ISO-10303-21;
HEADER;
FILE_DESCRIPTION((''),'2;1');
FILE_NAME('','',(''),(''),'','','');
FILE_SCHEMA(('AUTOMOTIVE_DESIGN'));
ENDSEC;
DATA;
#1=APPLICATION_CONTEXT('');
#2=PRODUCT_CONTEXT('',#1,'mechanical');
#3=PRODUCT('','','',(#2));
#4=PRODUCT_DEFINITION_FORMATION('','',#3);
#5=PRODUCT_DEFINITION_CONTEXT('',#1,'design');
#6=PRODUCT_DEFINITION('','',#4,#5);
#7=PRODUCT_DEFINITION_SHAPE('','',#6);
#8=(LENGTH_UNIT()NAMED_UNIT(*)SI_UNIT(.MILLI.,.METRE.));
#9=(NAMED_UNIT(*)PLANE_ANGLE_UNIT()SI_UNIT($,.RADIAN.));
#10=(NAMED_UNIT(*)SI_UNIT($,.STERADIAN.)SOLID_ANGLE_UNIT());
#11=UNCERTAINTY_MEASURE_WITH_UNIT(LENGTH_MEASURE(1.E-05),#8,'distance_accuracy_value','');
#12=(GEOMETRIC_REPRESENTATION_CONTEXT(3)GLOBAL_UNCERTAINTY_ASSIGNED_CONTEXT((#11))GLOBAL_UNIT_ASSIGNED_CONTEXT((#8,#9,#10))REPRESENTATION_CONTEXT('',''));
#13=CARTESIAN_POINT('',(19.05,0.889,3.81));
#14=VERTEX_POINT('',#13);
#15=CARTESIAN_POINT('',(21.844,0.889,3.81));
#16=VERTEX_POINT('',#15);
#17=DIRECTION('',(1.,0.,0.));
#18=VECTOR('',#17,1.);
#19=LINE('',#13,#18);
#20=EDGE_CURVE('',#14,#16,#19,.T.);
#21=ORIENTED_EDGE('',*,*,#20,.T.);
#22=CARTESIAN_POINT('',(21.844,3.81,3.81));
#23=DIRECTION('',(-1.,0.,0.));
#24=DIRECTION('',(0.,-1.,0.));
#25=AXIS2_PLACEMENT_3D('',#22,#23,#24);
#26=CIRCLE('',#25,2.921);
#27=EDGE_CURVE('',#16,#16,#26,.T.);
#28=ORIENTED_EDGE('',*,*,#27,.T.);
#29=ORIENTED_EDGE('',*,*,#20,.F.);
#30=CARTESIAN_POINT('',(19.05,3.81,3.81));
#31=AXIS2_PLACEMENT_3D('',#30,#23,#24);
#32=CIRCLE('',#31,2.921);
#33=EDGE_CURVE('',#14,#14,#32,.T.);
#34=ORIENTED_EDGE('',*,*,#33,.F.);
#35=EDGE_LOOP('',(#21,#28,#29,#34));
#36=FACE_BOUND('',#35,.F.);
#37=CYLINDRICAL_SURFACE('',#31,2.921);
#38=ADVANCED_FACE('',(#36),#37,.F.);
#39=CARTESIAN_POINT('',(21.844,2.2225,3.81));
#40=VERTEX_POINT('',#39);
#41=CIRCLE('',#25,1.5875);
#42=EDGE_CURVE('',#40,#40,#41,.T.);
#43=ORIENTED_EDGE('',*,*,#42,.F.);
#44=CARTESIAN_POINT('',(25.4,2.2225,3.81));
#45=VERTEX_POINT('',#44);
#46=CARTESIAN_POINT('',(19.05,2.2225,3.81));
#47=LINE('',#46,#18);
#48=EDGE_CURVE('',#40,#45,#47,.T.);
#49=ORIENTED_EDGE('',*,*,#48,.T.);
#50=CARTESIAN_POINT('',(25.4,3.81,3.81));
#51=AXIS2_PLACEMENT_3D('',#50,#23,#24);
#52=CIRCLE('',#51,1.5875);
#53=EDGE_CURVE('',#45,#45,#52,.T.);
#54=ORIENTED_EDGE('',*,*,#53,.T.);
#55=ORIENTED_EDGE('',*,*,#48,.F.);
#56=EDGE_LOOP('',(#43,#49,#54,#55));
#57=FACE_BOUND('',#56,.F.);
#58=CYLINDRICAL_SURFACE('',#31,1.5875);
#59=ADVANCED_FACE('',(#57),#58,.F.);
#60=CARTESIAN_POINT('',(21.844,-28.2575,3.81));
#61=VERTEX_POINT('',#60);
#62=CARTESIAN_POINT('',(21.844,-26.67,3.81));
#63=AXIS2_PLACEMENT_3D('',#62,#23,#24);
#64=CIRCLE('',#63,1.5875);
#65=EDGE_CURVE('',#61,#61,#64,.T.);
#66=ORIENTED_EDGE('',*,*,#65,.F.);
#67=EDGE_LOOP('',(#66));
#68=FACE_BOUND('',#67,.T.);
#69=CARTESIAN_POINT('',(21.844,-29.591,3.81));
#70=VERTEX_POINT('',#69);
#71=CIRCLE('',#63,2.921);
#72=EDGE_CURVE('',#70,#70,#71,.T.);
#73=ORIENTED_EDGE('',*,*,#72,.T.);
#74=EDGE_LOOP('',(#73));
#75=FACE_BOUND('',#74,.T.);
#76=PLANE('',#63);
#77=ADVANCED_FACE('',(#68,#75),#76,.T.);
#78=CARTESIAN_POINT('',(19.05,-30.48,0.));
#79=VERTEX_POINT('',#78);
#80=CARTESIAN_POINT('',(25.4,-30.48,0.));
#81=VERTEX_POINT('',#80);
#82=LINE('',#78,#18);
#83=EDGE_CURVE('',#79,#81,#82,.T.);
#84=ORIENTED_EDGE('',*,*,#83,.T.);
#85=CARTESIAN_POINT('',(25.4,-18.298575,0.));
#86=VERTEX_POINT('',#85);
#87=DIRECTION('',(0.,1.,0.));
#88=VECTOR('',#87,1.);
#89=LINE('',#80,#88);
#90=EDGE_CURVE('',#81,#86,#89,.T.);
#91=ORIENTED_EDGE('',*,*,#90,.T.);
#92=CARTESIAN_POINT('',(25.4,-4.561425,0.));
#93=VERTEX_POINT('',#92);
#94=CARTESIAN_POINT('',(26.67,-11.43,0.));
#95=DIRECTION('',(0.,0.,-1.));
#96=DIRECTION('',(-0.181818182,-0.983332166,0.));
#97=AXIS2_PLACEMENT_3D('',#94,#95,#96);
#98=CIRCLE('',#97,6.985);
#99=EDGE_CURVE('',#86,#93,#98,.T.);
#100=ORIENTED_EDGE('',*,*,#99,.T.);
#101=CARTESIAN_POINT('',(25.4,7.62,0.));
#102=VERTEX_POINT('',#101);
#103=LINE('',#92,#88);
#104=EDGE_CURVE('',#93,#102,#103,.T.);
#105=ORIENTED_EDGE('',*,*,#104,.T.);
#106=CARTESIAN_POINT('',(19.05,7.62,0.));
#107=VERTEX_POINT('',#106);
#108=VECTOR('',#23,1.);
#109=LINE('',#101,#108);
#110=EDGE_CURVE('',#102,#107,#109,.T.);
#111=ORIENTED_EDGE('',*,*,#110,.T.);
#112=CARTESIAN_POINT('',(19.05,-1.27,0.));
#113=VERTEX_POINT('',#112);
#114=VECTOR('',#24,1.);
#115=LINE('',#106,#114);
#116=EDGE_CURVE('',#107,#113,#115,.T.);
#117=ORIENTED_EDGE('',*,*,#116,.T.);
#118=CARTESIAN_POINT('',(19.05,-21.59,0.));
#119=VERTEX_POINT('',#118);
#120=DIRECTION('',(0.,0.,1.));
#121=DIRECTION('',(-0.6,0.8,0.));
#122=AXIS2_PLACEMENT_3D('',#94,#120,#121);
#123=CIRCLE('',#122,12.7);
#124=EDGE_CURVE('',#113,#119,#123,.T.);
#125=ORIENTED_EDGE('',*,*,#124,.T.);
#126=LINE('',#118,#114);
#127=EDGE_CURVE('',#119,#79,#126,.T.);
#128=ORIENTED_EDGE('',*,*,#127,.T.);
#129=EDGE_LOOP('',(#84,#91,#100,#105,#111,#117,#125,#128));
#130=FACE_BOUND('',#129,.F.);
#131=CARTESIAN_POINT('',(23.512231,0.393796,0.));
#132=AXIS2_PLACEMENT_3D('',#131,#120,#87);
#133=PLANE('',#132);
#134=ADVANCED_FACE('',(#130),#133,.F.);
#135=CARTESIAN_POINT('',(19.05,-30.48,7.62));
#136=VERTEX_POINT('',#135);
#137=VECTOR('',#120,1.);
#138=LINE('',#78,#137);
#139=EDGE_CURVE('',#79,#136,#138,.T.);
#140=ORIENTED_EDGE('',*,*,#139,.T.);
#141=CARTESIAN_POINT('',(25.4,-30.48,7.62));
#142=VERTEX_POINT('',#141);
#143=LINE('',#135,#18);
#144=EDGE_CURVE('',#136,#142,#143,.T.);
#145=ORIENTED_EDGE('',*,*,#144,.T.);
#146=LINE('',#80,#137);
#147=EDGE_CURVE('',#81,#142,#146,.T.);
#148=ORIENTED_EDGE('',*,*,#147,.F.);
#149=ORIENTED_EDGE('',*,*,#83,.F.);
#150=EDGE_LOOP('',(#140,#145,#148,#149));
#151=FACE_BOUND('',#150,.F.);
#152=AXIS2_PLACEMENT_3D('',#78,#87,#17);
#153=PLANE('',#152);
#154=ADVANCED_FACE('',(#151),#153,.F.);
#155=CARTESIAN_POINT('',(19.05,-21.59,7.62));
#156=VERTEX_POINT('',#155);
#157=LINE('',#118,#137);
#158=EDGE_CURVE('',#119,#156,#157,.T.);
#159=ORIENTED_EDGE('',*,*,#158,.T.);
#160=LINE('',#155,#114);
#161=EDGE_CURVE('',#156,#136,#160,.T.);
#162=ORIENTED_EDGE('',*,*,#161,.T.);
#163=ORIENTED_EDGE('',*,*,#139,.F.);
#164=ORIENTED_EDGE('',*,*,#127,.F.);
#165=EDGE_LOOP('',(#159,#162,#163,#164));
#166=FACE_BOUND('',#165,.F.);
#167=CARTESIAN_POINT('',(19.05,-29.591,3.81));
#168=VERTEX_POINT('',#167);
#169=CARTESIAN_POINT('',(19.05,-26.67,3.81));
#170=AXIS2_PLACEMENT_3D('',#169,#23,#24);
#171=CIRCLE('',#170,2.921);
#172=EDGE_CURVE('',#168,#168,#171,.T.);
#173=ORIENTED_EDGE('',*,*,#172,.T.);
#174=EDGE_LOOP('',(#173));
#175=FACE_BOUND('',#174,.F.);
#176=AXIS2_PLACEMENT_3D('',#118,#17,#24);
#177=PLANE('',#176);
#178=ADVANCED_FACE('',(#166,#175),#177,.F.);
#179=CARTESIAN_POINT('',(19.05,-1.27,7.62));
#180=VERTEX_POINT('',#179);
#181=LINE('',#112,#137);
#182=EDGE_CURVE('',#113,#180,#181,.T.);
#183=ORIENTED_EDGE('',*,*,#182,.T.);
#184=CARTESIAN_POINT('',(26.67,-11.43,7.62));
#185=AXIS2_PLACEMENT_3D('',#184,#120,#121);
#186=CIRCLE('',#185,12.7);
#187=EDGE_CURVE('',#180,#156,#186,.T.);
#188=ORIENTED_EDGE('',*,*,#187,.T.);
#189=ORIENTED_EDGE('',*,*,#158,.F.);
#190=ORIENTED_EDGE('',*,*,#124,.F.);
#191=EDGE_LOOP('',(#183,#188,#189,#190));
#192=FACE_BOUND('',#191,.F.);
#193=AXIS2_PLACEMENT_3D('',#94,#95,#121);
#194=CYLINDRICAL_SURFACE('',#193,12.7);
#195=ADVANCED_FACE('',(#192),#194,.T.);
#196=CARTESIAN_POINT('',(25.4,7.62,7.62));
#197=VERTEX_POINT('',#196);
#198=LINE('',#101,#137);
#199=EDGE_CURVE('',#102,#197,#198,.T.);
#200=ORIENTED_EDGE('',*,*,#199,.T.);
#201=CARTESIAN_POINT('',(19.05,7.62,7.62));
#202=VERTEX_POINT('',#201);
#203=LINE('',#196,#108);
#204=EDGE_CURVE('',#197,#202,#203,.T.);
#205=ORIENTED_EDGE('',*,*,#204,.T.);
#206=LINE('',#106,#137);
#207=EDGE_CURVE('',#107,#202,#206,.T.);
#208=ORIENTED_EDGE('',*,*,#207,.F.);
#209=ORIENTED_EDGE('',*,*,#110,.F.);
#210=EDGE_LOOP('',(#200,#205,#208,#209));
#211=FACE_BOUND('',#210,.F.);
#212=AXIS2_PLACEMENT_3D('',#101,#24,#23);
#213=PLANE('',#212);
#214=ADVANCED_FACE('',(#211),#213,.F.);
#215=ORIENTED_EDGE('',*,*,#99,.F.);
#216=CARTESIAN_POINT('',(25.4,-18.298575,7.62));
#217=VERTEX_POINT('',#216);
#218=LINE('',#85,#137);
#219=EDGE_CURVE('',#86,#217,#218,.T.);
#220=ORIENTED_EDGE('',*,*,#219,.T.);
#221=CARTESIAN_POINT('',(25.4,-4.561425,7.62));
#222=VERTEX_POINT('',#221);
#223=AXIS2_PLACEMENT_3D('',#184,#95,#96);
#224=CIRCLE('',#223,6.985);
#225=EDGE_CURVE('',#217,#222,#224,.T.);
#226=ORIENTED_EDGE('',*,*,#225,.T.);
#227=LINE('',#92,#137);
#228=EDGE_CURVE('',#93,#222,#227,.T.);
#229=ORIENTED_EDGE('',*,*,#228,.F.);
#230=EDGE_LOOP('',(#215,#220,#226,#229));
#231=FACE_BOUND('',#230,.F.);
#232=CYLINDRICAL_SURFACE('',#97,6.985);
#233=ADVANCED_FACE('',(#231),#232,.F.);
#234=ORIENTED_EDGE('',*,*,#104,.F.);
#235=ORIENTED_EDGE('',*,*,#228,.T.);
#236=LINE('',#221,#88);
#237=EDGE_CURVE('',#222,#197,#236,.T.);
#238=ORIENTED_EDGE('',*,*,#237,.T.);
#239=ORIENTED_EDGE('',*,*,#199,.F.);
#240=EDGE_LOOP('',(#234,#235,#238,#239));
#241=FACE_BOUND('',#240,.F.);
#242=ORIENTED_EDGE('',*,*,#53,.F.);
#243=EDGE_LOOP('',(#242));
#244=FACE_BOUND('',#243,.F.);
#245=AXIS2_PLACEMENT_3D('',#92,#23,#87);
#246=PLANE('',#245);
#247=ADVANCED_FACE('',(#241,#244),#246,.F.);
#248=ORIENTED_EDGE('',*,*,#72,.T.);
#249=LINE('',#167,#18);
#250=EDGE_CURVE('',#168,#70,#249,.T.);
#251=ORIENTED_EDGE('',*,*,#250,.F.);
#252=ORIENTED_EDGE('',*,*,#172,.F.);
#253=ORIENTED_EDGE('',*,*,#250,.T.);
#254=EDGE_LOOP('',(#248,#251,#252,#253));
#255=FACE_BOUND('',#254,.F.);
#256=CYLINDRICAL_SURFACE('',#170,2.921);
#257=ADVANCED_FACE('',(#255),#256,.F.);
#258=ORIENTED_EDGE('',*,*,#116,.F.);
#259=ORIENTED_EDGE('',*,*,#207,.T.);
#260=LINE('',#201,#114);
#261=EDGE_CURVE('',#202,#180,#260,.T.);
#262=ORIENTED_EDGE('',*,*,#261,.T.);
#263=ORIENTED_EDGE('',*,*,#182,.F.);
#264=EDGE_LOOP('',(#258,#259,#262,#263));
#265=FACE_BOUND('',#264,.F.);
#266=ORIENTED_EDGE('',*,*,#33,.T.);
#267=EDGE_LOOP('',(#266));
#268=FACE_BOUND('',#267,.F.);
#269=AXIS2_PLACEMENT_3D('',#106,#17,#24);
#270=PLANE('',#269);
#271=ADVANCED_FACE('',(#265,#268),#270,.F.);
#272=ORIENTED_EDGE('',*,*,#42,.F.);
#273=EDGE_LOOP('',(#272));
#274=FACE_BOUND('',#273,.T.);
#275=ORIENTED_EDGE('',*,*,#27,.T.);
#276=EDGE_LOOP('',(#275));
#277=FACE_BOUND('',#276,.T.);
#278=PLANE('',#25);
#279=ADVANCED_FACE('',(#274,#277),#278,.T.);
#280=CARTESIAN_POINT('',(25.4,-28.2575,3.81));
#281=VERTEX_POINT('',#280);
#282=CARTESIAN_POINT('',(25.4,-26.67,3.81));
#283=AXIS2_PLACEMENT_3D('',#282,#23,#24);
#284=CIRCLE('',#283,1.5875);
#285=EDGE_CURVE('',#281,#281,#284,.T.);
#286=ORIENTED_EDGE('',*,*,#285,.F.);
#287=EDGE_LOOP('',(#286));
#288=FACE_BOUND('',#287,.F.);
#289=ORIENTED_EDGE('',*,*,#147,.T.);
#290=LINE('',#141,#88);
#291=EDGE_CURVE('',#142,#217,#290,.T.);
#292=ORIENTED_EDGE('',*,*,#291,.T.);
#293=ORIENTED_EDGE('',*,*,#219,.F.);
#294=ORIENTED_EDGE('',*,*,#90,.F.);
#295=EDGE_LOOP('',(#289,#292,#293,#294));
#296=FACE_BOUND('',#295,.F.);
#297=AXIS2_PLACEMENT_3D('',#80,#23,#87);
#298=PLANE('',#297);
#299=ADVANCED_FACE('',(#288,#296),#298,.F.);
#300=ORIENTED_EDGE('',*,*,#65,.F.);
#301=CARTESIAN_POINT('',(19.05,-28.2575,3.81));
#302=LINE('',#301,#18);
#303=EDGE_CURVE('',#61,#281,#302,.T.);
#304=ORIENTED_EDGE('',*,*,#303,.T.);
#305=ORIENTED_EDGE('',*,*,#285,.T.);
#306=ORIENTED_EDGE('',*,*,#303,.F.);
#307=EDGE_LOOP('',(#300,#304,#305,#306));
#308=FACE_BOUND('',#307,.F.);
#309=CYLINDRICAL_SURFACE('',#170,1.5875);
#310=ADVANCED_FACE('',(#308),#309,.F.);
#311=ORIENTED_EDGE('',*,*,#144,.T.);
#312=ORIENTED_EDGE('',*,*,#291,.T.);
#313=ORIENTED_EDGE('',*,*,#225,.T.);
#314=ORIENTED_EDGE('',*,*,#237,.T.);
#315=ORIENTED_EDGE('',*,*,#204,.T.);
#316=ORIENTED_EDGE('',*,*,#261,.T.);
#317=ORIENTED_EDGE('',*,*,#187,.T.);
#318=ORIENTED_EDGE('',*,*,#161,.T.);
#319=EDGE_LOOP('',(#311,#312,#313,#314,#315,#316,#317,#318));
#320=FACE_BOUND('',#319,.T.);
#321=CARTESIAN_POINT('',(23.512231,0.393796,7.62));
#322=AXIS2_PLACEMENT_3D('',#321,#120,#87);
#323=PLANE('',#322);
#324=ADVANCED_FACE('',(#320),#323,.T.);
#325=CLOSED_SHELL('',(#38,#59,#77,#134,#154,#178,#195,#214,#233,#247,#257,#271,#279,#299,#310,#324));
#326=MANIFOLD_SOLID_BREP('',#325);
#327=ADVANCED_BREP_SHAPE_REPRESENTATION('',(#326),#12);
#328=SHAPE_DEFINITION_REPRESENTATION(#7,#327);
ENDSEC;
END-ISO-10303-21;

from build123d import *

# Parameters (mm, degrees)
F1_DEPTH = 7.62
F2_R     = 1.5875
F3_R     = 1.5875
F4_DEPTH = 25.4
F2_R_2   = 2.921
F3_R_2   = 2.921
F5_DEPTH = 2.794
F6_ANGLE = -90


with BuildPart() as f1:
    # F0 (on Top) → F1 (new body)
    with BuildSketch(Plane.XY):
        with BuildLine():
            Line((11.43, 1.27), (12.6363404513, 1.27))
            ThreePointArc((12.6363404513, 1.27), (12.2207385876, 3.4559439194), (11.43, 5.5358016583))
            Line((11.43, 5.5358016583), (11.43, 1.27))
        make_face()
        with BuildLine():
            ThreePointArc((11.43, 5.5358016583), (12.2207385876, 3.4559439194), (12.6363404513, 1.27))
            Line((12.6363404513, 1.27), (19.05, 1.27))
            Line((19.05, 1.27), (19.05, 7.62))
            Line((19.05, 7.62), (11.43, 7.62))
            Line((11.43, 7.62), (11.43, 5.5358016583))
        make_face()
        with BuildLine():
            Line((11.43, 1.27), (11.43, 5.5358016583))
            ThreePointArc((11.43, 5.5358016583), (10.8451830635, 6.6084797282), (10.16, 7.62))
            Line((10.16, 7.62), (-10.16, 7.62))
            ThreePointArc((-10.16, 7.62), (-10.8451830635, 6.6084797282), (-11.43, 5.5358016583))
            Line((-11.43, 5.5358016583), (-11.43, 1.27))
            Line((-11.43, 1.27), (-6.8685751798, 1.27))
            ThreePointArc((-6.8685751798, 1.27), (0, 6.985), (6.8685751798, 1.27))
            Line((6.8685751798, 1.27), (11.43, 1.27))
        make_face()
        with BuildLine():
            ThreePointArc((10.16, 7.62), (10.8451830635, 6.6084797282), (11.43, 5.5358016583))
            Line((11.43, 5.5358016583), (11.43, 7.62))
            Line((11.43, 7.62), (10.16, 7.62))
        make_face()
        with BuildLine():
            Line((-10.16, 7.62), (10.16, 7.62))
            ThreePointArc((10.16, 7.62), (0, 12.7), (-10.16, 7.62))
        make_face()
        with BuildLine():
            ThreePointArc((-11.43, 5.5358016583), (-10.8451830635, 6.6084797282), (-10.16, 7.62))
            Line((-10.16, 7.62), (-11.43, 7.62))
            Line((-11.43, 7.62), (-11.43, 5.5358016583))
        make_face()
        with BuildLine():
            Line((-11.43, 1.27), (-11.43, 5.5358016583))
            ThreePointArc((-11.43, 5.5358016583), (-12.2207385876, 3.4559439194), (-12.6363404513, 1.27))
            Line((-12.6363404513, 1.27), (-11.43, 1.27))
        make_face()
        with BuildLine():
            ThreePointArc((-12.6363404513, 1.27), (-12.2207385876, 3.4559439194), (-11.43, 5.5358016583))
            Line((-11.43, 5.5358016583), (-11.43, 7.62))
            Line((-11.43, 7.62), (-19.05, 7.62))
            Line((-19.05, 7.62), (-19.05, 1.27))
            Line((-19.05, 1.27), (-12.6363404513, 1.27))
        make_face()
    extrude(amount=F1_DEPTH)

    # F2 (on face) + F3 (on face) → F4 (cut)
    with BuildSketch(Plane(origin=(0, 7.62, 0), x_dir=(-1, 0, 0), z_dir=(0, 1, 0))):
        with Locations((-15.24, 3.81)):
            Circle(F2_R)
    with BuildSketch(Plane(origin=(0, 7.62, 0), x_dir=(-1, 0, 0), z_dir=(0, 1, 0))):
        with Locations((15.24, 3.81)):
            Circle(F3_R)
    extrude(amount=-F4_DEPTH, mode=Mode.SUBTRACT)

    # F2 (on face) + F3 (on face) → F5 (cut)
    with BuildSketch(Plane(origin=(0, 7.62, 0), x_dir=(-1, 0, 0), z_dir=(0, 1, 0))):
        with Locations((-15.24, 3.81)):
            Circle(F2_R_2)
        with Locations((-15.24, 3.81)):
            Circle(F2_R, mode=Mode.SUBTRACT)
    with BuildSketch(Plane(origin=(0, 7.62, 0), x_dir=(-1, 0, 0), z_dir=(0, 1, 0))):
        with Locations((15.24, 3.81)):
            Circle(F3_R_2)
        with Locations((15.24, 3.81)):
            Circle(F3_R, mode=Mode.SUBTRACT)
    extrude(amount=-F5_DEPTH, mode=Mode.SUBTRACT)


with BuildPart() as f1_1:
    # F6: moved
    add(f1.part.rotate(Axis((19.05, 7.62, 3.81), (0, 0, -1)), F6_ANGLE))


solid = f1_1.part
